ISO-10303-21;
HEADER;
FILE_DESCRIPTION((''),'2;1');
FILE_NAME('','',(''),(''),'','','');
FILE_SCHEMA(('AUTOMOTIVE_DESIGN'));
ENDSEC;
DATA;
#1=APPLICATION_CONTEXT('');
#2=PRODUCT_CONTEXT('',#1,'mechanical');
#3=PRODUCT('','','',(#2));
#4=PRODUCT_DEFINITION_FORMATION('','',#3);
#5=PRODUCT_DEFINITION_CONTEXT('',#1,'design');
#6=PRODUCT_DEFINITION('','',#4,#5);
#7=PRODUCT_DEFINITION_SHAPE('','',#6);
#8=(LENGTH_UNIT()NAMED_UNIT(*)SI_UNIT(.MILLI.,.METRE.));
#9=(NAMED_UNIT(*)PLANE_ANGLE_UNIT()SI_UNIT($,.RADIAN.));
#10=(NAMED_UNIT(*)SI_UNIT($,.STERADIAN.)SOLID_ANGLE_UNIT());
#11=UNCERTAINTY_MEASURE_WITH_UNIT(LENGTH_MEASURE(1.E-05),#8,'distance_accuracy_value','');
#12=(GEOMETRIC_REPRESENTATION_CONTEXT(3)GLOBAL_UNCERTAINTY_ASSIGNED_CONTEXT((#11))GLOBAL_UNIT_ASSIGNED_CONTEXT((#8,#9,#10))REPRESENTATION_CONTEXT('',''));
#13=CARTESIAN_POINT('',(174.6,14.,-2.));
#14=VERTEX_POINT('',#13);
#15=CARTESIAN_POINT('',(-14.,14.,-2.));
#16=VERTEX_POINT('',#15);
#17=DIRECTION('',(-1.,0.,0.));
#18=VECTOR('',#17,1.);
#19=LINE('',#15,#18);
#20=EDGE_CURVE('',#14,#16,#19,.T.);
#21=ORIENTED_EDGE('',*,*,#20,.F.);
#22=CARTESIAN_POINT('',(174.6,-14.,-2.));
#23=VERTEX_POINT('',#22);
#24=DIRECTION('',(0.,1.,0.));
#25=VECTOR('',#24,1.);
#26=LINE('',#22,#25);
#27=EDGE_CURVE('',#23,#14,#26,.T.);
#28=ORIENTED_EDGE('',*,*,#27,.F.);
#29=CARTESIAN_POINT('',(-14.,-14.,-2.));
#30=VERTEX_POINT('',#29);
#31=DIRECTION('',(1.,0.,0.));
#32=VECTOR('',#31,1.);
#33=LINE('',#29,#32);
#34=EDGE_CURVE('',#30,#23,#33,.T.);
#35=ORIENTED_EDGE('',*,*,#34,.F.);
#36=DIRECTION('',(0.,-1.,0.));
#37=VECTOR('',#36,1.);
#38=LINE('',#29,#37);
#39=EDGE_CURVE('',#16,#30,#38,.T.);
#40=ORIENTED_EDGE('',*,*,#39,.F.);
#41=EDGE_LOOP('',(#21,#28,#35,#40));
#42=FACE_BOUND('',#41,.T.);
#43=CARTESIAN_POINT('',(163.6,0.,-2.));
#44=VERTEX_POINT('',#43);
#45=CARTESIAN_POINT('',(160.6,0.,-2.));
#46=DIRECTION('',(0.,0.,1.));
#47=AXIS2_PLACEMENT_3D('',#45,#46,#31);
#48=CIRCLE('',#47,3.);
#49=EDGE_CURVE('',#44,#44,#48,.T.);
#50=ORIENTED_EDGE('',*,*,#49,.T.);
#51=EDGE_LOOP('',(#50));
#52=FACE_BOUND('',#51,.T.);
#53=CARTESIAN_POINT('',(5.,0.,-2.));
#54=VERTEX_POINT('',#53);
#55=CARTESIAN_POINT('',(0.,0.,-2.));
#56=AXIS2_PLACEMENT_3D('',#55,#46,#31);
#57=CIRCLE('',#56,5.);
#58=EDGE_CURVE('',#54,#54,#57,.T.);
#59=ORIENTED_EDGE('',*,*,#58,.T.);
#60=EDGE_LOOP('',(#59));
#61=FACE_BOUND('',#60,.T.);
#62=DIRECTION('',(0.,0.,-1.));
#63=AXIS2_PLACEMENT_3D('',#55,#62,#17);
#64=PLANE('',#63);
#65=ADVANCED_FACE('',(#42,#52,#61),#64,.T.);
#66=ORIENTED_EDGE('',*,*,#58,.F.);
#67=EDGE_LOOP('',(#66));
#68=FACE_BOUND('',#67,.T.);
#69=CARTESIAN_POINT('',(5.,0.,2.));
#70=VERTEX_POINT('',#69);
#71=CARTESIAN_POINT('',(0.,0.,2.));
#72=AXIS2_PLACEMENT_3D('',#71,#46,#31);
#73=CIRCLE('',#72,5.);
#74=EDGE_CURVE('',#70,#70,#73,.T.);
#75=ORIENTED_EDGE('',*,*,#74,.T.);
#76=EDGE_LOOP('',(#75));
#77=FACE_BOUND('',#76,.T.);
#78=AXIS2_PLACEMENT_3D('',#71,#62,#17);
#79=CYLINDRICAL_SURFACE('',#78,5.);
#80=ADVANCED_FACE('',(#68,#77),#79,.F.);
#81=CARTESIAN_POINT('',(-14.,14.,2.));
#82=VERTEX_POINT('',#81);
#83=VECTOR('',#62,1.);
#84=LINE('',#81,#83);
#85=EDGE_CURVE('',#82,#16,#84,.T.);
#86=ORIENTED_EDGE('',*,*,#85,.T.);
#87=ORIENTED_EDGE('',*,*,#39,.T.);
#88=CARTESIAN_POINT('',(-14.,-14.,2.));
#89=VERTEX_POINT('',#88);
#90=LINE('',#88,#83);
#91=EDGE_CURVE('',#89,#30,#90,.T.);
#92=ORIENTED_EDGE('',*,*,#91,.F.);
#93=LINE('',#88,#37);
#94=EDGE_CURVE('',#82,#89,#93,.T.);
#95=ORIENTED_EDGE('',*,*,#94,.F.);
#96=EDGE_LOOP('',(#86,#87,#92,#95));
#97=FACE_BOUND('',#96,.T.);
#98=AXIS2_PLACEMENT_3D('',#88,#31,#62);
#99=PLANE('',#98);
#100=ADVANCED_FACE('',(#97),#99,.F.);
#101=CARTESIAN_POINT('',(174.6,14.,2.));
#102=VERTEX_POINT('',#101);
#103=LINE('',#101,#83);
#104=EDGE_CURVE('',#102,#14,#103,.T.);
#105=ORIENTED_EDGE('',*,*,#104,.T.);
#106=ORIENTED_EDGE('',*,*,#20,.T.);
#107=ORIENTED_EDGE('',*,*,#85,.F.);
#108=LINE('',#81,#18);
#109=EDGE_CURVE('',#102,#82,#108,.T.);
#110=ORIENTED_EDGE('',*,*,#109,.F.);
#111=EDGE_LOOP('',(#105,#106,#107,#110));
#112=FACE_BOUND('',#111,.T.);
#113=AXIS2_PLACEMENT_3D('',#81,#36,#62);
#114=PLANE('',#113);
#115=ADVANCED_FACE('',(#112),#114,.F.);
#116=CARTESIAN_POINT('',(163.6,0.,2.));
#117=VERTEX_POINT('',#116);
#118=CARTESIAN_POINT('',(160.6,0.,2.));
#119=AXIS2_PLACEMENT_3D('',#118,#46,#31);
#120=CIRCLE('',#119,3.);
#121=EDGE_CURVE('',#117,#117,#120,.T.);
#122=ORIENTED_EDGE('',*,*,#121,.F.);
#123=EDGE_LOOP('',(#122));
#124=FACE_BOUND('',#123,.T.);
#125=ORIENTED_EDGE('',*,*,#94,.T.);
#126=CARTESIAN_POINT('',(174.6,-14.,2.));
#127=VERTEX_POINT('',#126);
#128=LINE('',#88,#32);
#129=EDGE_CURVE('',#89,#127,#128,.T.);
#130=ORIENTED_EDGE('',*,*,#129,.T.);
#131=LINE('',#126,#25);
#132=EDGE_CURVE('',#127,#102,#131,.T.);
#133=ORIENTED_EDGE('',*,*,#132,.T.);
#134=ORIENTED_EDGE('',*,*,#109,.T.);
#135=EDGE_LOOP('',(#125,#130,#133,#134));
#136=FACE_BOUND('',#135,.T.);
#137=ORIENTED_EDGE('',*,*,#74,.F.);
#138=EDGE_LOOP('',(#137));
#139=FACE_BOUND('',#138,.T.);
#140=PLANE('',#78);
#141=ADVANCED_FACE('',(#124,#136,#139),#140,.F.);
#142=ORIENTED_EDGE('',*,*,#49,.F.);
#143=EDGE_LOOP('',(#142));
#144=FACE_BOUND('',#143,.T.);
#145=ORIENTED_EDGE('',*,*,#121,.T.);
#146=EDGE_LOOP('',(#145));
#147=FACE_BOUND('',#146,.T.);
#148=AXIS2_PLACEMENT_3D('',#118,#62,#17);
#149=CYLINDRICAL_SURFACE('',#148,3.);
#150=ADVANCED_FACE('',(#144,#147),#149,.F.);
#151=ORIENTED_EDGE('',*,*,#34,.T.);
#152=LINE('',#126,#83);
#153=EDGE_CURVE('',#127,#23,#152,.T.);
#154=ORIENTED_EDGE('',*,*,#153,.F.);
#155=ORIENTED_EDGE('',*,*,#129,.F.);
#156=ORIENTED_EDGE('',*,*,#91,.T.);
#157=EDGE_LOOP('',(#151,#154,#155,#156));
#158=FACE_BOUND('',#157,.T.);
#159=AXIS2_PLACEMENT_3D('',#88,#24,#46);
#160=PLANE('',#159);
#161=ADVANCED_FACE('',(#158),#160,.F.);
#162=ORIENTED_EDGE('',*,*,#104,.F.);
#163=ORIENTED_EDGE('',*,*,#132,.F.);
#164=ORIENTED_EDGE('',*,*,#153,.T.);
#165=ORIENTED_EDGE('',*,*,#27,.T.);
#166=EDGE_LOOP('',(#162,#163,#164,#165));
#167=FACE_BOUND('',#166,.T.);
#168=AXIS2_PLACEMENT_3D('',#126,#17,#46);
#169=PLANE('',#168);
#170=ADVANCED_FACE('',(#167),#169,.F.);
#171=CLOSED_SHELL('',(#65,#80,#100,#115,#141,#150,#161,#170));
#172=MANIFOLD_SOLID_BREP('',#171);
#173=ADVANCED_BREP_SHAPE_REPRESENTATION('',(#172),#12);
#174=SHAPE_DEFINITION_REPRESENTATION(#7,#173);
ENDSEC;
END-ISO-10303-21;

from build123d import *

# Parameters (mm, degrees)
SKETCH_1_W      = 188.6
SKETCH_1_H      = 28
SKETCH_1_R      = 5
SKETCH_1_R_2    = 3
EXTRUDE_1_DEPTH = 2


with BuildPart() as part:
    # 草图1 → 凸台-拉伸1 (new, symmetric)
    with BuildSketch(Plane.XY):
        with Locations((80.3, 0)):
            Rectangle(SKETCH_1_W, SKETCH_1_H)
        Circle(SKETCH_1_R, mode=Mode.SUBTRACT)
        with Locations((160.6, 0)):
            Circle(SKETCH_1_R_2, mode=Mode.SUBTRACT)
    extrude(amount=EXTRUDE_1_DEPTH, both=True)


solid = part.part
